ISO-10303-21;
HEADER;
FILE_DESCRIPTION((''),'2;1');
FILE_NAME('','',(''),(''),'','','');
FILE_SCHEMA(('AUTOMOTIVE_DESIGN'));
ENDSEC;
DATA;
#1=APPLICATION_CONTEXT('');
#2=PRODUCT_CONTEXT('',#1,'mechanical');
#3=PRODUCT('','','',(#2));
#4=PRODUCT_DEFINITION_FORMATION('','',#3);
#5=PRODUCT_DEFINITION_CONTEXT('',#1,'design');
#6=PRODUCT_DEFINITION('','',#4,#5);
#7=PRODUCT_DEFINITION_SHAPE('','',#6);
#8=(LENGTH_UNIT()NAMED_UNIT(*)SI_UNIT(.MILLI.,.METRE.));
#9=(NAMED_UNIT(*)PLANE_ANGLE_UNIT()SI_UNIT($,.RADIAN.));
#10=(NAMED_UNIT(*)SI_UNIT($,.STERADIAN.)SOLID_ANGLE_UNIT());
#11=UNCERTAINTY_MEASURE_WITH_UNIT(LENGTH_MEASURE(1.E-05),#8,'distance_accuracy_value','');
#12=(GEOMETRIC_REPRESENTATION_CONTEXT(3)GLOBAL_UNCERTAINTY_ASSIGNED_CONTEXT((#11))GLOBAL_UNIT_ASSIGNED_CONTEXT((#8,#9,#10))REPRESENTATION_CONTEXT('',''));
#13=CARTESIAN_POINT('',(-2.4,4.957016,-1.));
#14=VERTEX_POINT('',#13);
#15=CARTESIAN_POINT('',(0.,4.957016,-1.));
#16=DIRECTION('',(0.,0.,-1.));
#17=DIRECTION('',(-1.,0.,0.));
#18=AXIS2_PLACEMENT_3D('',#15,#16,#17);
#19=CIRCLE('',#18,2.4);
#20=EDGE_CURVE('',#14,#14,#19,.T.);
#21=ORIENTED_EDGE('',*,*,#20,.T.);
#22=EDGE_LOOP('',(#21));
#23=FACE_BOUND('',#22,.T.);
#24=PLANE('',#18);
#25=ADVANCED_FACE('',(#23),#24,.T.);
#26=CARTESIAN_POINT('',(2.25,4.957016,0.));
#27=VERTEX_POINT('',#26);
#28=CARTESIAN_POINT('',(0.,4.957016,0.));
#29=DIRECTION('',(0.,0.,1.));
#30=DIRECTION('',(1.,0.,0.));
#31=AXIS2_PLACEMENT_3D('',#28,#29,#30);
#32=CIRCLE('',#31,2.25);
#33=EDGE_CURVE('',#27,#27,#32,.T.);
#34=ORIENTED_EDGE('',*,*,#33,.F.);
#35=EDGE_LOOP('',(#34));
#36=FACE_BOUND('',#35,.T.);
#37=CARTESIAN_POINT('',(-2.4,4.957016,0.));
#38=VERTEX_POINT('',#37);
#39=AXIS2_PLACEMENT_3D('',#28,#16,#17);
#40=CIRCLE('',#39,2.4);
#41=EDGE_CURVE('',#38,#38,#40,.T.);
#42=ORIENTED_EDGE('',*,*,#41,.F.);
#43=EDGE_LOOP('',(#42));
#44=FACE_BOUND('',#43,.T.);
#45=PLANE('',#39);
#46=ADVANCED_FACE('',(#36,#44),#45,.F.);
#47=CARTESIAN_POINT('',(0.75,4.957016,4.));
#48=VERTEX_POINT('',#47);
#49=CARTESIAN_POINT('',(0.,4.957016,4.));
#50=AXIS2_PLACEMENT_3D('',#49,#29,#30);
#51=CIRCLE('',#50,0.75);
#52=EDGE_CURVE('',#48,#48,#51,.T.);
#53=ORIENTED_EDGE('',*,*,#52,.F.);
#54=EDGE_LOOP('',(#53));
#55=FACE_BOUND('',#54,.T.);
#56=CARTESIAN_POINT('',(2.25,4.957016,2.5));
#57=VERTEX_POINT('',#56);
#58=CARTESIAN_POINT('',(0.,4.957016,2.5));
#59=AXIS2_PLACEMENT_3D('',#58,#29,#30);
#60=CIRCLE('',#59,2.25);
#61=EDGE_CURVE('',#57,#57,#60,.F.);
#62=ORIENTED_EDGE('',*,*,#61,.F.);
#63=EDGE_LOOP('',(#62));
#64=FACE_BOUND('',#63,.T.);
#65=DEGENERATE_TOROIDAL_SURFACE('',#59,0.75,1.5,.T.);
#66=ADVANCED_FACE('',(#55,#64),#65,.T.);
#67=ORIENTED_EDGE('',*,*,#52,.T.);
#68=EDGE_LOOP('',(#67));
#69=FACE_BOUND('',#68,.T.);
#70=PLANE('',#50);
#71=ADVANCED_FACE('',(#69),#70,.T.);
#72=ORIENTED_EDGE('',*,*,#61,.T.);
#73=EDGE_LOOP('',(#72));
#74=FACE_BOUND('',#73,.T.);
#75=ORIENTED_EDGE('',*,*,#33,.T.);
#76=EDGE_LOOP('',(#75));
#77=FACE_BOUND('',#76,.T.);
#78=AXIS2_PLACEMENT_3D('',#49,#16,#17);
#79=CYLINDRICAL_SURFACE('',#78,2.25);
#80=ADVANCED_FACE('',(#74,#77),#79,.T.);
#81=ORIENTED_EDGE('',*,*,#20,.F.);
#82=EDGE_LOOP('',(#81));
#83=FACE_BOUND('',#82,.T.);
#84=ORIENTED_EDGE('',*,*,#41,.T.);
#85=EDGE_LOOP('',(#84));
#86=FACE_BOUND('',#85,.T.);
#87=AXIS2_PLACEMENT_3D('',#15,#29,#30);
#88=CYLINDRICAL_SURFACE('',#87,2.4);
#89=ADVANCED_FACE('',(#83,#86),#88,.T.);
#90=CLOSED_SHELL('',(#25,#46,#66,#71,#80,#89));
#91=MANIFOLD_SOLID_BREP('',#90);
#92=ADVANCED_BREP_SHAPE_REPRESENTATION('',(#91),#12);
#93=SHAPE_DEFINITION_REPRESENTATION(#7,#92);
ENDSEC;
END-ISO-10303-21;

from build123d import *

# Parameters (mm, degrees)
SKETCH_1_R      = 2.25
EXTRUDE_1_DEPTH = 4
SKETCH_2_R      = 2.4
EXTRUDE_2_DEPTH = 1
FILLET_8_R      = 1.5


with BuildPart() as part:
    # Эскиз1 → Бобышка-Вытянуть1 (new body)
    with BuildSketch(Plane.XY):
        with Locations((0, 4.957015904)):
            Circle(SKETCH_1_R)
    extrude(amount=EXTRUDE_1_DEPTH)

    # Эскиз2 → Бобышка-Вытянуть2 (add)
    with BuildSketch(Plane(origin=(0, 0, 0), x_dir=(-1, 0, 0), z_dir=(0, 0, -1))):
        with Locations((0, 4.957015904)):
            Circle(SKETCH_2_R)
    extrude(amount=EXTRUDE_2_DEPTH)

    # Скругление8
    fillet_8_edges = [part.edges().sort_by_distance(p)[0] for p in [
        (-2.25, 4.957015904, 4),
    ]]
    fillet(fillet_8_edges, radius=FILLET_8_R)


solid = part.part
